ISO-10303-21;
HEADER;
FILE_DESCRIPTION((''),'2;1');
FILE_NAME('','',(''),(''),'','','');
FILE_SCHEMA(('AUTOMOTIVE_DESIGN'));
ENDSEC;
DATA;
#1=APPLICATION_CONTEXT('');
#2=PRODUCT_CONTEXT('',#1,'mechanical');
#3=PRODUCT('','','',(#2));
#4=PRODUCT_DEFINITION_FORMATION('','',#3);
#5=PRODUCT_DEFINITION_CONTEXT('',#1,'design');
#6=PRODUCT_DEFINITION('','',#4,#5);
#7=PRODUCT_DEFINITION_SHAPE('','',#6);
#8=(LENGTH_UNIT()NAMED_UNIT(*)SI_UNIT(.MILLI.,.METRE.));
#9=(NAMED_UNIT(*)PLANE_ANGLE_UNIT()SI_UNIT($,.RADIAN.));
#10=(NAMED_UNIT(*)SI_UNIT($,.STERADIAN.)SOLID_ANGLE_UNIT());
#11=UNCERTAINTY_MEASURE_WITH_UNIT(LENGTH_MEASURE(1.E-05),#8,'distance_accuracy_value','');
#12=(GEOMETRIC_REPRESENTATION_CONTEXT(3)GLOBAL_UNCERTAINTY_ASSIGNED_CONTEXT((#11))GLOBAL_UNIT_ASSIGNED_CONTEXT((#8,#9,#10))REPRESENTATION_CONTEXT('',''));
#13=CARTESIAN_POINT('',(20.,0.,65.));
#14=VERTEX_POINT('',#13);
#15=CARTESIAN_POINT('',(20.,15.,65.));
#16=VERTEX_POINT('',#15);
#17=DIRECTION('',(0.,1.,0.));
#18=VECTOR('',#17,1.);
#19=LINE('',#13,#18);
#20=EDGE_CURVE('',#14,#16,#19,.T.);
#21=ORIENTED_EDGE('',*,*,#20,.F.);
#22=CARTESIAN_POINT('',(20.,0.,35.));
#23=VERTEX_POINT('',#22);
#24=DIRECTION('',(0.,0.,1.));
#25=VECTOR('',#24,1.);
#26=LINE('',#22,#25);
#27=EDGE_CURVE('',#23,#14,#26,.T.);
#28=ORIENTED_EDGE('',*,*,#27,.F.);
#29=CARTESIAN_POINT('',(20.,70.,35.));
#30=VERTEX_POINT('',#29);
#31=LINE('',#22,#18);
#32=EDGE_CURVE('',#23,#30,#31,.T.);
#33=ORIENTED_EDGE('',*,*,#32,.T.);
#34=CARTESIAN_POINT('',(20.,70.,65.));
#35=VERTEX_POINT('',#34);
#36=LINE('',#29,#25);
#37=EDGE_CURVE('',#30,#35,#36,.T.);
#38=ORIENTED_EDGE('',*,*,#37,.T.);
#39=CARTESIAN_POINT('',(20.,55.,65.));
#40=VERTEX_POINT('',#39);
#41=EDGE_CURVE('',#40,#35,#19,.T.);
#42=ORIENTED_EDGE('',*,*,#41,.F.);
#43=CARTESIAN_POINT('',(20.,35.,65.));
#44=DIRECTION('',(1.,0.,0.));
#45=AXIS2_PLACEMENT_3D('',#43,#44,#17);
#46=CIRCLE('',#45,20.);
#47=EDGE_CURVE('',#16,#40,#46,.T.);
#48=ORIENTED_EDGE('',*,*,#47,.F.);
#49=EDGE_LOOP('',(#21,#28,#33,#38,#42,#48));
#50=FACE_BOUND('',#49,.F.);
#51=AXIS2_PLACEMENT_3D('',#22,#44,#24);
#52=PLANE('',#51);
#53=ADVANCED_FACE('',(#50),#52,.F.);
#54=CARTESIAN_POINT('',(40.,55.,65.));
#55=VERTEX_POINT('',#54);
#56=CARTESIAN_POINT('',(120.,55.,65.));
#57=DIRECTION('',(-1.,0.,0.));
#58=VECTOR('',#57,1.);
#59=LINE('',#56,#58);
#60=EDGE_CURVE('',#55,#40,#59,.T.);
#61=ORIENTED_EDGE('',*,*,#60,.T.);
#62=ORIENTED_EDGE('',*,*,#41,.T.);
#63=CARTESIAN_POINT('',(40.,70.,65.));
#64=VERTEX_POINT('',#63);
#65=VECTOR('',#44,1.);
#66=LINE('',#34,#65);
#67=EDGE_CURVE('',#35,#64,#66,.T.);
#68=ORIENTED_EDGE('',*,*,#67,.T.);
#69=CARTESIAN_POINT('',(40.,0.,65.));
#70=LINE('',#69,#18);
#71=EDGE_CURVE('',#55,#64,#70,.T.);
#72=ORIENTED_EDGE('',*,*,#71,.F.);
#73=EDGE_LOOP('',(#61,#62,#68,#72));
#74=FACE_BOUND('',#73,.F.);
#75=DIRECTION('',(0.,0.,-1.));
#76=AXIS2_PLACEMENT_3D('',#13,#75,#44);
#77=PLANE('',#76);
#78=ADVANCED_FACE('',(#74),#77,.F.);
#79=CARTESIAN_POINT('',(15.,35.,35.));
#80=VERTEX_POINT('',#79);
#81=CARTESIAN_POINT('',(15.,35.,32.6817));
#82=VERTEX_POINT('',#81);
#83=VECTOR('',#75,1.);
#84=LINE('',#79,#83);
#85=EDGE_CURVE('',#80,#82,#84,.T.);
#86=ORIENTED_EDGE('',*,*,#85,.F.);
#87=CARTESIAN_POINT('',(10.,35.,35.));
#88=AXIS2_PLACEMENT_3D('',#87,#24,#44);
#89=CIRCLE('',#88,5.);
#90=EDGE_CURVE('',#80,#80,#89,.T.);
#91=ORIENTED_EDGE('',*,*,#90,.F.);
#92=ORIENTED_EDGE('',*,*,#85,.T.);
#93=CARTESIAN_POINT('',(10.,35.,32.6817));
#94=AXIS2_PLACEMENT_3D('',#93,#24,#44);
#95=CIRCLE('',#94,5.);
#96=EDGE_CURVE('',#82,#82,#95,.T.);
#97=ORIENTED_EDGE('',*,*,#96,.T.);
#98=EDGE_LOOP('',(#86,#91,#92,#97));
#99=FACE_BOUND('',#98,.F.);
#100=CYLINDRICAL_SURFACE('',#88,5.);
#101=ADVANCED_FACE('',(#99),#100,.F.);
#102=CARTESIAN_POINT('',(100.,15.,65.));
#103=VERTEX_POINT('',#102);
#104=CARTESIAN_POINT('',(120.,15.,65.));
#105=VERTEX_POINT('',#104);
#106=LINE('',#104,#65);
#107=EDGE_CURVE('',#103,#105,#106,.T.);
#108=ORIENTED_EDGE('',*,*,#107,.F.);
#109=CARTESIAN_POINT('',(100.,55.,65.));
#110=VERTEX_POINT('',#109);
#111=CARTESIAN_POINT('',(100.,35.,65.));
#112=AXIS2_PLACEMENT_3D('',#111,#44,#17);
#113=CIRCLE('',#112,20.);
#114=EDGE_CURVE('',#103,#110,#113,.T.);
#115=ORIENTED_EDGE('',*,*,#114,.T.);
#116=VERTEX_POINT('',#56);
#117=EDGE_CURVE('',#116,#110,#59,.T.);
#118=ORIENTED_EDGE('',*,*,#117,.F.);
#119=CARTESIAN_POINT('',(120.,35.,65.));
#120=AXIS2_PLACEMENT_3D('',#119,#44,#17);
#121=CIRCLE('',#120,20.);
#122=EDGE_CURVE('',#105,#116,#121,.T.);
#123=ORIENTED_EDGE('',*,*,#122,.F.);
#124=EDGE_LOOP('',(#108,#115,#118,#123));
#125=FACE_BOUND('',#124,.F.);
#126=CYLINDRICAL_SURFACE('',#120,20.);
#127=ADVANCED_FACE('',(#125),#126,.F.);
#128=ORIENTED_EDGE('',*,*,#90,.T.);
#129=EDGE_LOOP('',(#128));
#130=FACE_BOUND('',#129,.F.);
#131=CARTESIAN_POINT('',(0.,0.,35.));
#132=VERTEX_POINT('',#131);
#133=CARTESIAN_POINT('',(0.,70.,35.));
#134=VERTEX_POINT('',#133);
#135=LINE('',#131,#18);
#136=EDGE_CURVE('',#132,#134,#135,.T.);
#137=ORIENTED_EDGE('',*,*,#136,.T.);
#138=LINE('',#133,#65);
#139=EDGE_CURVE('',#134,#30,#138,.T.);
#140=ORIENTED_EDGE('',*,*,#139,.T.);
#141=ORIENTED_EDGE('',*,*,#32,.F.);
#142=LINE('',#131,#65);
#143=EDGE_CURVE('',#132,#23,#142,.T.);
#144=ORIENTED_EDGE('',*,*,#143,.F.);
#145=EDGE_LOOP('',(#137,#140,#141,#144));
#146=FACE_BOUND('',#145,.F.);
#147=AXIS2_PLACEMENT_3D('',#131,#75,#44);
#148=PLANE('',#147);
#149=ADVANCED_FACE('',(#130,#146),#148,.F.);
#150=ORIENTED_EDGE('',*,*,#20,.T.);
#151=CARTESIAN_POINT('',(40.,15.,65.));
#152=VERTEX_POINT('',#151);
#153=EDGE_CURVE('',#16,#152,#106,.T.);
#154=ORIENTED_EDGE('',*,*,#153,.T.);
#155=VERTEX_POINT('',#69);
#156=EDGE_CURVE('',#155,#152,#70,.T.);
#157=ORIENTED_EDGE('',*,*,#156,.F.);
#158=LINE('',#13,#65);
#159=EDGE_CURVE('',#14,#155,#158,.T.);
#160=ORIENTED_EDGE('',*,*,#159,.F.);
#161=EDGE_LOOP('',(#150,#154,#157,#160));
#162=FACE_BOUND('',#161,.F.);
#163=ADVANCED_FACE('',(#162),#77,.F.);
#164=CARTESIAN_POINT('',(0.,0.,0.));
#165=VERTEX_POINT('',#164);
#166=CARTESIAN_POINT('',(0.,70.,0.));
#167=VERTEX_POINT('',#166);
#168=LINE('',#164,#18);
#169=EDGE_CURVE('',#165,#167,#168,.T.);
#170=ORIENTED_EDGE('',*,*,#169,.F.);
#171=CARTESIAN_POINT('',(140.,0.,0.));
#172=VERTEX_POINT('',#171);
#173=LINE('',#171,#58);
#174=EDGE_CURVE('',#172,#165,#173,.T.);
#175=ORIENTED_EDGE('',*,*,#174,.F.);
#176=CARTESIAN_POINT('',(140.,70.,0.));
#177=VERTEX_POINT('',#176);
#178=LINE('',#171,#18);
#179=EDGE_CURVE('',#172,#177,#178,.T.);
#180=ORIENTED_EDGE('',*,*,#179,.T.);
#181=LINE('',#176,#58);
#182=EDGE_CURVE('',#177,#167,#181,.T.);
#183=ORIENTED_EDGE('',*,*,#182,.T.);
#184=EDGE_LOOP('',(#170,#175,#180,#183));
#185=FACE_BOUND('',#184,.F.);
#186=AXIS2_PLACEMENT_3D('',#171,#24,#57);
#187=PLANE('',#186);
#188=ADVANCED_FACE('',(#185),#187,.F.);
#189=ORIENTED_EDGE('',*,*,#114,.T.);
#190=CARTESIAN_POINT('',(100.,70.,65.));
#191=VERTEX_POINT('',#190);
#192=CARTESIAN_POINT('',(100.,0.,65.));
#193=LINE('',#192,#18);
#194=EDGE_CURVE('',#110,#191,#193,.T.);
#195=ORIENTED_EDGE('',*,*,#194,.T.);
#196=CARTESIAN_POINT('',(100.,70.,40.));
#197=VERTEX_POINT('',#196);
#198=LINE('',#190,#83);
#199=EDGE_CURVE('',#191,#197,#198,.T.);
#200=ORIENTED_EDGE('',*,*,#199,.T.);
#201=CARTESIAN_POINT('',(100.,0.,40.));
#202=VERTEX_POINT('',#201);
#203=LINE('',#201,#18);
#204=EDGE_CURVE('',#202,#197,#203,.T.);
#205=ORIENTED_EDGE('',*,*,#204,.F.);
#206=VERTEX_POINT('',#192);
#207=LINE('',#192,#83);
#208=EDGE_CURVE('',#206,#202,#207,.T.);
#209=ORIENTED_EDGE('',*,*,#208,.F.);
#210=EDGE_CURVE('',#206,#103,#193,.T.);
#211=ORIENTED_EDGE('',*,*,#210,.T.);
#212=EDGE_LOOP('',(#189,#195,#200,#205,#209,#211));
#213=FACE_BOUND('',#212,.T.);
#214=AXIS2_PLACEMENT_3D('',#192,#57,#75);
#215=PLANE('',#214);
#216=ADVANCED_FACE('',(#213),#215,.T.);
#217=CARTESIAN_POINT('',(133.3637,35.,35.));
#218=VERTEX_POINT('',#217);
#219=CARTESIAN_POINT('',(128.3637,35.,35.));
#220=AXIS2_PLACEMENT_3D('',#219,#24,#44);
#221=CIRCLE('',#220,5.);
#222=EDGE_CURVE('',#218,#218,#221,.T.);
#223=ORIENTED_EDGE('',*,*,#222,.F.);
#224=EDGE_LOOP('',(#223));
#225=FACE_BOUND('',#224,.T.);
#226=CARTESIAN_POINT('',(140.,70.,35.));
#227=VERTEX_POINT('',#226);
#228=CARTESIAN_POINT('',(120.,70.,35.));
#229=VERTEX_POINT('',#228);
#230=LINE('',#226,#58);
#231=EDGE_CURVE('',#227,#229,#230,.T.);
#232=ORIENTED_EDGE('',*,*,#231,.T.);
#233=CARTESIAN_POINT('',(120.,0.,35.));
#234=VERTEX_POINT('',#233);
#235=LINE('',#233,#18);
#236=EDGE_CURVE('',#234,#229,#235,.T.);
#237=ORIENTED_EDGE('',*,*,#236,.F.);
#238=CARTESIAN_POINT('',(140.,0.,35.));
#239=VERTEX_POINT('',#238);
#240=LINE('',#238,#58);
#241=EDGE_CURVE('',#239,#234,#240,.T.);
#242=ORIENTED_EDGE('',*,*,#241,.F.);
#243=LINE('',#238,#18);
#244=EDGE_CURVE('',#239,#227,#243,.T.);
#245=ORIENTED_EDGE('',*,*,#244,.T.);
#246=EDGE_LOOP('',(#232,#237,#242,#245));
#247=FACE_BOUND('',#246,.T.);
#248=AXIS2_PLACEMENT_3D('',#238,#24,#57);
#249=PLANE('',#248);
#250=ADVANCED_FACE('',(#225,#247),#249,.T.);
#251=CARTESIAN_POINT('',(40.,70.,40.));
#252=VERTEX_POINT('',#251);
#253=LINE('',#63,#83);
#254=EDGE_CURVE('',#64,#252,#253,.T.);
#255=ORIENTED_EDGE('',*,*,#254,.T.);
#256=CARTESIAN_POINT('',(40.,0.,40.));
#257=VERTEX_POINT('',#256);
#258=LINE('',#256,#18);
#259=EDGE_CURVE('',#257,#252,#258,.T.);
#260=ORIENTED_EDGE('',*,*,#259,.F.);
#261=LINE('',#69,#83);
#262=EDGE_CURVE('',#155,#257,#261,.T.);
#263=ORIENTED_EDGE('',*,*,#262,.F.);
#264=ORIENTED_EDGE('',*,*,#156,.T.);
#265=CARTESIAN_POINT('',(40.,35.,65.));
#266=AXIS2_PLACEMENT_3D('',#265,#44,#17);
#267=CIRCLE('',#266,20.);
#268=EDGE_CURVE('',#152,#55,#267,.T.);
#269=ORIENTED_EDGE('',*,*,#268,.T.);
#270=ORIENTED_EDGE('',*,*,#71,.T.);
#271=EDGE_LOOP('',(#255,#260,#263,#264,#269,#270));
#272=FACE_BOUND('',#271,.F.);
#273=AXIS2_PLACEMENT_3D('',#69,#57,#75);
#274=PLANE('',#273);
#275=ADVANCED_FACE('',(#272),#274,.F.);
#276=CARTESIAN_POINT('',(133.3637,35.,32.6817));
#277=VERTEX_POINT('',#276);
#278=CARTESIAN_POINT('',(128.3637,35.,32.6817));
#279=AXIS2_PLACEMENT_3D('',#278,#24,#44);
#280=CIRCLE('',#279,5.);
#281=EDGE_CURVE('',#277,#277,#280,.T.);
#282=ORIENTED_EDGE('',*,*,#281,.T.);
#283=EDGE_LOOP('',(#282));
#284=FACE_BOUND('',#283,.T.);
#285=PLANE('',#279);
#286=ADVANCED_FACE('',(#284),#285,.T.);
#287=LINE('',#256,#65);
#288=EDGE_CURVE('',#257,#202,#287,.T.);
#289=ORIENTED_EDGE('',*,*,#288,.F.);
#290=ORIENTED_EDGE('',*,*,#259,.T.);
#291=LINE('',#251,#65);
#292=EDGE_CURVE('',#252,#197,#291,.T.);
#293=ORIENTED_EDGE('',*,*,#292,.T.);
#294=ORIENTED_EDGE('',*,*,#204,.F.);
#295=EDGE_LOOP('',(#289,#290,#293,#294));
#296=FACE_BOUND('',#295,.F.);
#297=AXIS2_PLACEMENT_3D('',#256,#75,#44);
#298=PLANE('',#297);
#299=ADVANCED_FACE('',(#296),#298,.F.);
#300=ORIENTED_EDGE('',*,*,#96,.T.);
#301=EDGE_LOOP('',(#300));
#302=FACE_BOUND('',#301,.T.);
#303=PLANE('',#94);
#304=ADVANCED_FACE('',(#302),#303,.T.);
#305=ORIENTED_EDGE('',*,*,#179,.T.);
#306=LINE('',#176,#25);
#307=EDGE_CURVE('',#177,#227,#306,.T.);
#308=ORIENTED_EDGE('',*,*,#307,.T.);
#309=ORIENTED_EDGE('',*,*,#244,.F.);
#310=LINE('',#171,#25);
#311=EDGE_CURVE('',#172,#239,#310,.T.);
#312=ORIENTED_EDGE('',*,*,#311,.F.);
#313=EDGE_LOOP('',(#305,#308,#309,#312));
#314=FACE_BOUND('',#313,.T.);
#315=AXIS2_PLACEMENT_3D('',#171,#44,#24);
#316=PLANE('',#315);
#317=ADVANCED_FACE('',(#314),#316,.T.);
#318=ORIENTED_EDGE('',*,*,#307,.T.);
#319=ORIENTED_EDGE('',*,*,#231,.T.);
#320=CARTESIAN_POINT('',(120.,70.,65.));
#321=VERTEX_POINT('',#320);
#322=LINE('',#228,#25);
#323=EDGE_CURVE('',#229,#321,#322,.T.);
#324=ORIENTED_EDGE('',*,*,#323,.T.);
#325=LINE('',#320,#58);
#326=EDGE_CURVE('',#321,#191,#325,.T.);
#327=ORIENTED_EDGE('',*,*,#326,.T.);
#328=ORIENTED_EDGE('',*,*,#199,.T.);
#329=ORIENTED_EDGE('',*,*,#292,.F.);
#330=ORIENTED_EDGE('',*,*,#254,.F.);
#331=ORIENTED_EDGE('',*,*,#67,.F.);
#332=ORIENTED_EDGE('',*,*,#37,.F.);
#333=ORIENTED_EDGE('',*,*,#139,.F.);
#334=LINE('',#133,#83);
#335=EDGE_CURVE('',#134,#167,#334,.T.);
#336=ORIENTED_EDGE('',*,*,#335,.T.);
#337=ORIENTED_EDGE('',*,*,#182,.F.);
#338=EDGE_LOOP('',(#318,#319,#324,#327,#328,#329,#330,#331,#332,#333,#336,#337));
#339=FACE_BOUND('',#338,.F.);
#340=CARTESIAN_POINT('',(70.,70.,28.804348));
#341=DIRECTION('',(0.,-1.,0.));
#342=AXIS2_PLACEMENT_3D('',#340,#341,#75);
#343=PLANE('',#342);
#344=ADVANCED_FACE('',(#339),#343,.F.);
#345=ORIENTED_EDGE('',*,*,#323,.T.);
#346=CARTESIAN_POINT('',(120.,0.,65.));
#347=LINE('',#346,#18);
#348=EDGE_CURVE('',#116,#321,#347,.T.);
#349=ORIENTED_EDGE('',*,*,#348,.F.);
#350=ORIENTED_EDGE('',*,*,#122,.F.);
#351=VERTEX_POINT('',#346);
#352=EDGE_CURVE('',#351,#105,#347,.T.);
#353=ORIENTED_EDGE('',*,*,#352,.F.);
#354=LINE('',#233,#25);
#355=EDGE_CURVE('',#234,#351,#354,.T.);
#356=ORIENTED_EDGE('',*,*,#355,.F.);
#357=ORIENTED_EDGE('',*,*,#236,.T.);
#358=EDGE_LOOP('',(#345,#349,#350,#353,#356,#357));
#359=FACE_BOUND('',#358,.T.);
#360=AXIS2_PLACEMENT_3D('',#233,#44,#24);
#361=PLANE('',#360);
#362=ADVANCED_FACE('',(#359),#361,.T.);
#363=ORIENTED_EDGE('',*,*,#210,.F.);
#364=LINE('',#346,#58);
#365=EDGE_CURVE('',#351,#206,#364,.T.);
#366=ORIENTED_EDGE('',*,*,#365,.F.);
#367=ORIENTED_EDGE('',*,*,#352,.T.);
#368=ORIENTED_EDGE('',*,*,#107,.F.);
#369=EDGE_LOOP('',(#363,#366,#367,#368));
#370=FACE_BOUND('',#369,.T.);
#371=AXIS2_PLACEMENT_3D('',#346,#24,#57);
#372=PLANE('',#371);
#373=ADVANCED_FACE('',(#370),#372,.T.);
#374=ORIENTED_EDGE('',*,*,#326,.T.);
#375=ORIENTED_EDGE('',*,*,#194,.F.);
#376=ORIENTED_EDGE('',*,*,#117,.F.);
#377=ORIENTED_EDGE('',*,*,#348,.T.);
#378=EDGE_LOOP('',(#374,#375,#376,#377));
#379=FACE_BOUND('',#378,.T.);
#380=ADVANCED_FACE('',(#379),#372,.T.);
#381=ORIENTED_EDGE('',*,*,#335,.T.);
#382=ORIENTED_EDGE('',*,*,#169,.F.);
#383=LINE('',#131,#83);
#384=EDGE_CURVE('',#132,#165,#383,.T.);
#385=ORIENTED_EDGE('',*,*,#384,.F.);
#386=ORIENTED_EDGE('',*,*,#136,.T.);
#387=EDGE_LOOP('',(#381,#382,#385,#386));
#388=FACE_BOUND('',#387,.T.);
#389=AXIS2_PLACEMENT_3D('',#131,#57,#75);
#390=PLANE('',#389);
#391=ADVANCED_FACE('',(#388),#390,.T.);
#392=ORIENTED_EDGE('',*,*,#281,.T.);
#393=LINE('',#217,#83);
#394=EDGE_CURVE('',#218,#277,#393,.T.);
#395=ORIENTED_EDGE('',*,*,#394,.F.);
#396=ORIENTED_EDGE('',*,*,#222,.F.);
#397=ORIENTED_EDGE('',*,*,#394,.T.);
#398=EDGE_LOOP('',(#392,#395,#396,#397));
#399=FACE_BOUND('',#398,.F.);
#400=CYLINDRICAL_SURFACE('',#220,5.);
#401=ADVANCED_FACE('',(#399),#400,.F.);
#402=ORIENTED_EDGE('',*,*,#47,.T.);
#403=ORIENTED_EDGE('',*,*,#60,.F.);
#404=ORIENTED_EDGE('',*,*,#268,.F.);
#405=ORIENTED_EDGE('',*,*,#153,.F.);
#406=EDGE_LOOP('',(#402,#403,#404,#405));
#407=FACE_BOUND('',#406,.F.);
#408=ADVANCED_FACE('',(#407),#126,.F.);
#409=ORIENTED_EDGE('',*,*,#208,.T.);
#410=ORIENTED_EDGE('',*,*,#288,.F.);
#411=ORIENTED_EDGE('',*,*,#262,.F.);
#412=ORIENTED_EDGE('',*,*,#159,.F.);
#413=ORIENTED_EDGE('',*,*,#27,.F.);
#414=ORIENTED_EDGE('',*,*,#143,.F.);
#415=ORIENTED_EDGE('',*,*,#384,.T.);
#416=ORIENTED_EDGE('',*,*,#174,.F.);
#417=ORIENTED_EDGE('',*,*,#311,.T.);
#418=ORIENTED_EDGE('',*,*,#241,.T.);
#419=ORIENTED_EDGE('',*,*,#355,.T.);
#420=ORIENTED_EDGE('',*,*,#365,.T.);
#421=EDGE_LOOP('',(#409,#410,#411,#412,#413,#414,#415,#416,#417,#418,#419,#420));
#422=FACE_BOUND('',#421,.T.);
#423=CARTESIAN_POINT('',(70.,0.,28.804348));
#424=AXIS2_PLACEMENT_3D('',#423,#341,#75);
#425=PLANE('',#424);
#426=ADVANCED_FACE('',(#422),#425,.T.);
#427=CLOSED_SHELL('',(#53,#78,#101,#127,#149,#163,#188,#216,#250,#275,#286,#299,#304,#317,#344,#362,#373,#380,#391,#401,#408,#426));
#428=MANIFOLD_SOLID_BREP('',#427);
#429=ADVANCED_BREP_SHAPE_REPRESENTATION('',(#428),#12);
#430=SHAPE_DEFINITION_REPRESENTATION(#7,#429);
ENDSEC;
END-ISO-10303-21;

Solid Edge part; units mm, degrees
sketch "Sketch1" plane through (0, 0, 0) normal (0, -1, 0) x (1, 0, 0)
  line L0 (140, 0) -> (140, 35)
  line L1 (140, 35) -> (120, 35)
  line L2 (120, 35) -> (120, 65)
  line L3 (120, 65) -> (100, 65)
  line L4 (100, 65) -> (100, 40)
  line L5 (40, 40) -> (100, 40)
  line L6 (40, 65) -> (40, 40)
  line L7 (20, 65) -> (40, 65)
  line L8 (20, 35) -> (20, 65)
  line L9 (0, 35) -> (20, 35)
  line L10 (0, 35) -> (0, 0)
  line L11 (140, 0) -> (0, 0)
extrude "Protrusion1" add sketch "Sketch1" against normal blind 70
sketch "Sketch2" plane through (120, 35, 50) normal (1, 0, 0) x (0, 1, 0)
  circle A0 centre (0, 15) radius 20
extrude "ExtrudedCutout_1" cut sketch "Sketch2" against normal blind 180.6982
sketch "Sketch3" plane through (130, 35, 35) normal (0, 0, 1) x (1, 0, 0)
  circle A0 centre (-1.6363, 0) radius 5
  circle A1 centre (-120, 0) radius 5
extrude "ExtrudedCutout_2" cut sketch "Sketch3" against normal blind 2.3183
